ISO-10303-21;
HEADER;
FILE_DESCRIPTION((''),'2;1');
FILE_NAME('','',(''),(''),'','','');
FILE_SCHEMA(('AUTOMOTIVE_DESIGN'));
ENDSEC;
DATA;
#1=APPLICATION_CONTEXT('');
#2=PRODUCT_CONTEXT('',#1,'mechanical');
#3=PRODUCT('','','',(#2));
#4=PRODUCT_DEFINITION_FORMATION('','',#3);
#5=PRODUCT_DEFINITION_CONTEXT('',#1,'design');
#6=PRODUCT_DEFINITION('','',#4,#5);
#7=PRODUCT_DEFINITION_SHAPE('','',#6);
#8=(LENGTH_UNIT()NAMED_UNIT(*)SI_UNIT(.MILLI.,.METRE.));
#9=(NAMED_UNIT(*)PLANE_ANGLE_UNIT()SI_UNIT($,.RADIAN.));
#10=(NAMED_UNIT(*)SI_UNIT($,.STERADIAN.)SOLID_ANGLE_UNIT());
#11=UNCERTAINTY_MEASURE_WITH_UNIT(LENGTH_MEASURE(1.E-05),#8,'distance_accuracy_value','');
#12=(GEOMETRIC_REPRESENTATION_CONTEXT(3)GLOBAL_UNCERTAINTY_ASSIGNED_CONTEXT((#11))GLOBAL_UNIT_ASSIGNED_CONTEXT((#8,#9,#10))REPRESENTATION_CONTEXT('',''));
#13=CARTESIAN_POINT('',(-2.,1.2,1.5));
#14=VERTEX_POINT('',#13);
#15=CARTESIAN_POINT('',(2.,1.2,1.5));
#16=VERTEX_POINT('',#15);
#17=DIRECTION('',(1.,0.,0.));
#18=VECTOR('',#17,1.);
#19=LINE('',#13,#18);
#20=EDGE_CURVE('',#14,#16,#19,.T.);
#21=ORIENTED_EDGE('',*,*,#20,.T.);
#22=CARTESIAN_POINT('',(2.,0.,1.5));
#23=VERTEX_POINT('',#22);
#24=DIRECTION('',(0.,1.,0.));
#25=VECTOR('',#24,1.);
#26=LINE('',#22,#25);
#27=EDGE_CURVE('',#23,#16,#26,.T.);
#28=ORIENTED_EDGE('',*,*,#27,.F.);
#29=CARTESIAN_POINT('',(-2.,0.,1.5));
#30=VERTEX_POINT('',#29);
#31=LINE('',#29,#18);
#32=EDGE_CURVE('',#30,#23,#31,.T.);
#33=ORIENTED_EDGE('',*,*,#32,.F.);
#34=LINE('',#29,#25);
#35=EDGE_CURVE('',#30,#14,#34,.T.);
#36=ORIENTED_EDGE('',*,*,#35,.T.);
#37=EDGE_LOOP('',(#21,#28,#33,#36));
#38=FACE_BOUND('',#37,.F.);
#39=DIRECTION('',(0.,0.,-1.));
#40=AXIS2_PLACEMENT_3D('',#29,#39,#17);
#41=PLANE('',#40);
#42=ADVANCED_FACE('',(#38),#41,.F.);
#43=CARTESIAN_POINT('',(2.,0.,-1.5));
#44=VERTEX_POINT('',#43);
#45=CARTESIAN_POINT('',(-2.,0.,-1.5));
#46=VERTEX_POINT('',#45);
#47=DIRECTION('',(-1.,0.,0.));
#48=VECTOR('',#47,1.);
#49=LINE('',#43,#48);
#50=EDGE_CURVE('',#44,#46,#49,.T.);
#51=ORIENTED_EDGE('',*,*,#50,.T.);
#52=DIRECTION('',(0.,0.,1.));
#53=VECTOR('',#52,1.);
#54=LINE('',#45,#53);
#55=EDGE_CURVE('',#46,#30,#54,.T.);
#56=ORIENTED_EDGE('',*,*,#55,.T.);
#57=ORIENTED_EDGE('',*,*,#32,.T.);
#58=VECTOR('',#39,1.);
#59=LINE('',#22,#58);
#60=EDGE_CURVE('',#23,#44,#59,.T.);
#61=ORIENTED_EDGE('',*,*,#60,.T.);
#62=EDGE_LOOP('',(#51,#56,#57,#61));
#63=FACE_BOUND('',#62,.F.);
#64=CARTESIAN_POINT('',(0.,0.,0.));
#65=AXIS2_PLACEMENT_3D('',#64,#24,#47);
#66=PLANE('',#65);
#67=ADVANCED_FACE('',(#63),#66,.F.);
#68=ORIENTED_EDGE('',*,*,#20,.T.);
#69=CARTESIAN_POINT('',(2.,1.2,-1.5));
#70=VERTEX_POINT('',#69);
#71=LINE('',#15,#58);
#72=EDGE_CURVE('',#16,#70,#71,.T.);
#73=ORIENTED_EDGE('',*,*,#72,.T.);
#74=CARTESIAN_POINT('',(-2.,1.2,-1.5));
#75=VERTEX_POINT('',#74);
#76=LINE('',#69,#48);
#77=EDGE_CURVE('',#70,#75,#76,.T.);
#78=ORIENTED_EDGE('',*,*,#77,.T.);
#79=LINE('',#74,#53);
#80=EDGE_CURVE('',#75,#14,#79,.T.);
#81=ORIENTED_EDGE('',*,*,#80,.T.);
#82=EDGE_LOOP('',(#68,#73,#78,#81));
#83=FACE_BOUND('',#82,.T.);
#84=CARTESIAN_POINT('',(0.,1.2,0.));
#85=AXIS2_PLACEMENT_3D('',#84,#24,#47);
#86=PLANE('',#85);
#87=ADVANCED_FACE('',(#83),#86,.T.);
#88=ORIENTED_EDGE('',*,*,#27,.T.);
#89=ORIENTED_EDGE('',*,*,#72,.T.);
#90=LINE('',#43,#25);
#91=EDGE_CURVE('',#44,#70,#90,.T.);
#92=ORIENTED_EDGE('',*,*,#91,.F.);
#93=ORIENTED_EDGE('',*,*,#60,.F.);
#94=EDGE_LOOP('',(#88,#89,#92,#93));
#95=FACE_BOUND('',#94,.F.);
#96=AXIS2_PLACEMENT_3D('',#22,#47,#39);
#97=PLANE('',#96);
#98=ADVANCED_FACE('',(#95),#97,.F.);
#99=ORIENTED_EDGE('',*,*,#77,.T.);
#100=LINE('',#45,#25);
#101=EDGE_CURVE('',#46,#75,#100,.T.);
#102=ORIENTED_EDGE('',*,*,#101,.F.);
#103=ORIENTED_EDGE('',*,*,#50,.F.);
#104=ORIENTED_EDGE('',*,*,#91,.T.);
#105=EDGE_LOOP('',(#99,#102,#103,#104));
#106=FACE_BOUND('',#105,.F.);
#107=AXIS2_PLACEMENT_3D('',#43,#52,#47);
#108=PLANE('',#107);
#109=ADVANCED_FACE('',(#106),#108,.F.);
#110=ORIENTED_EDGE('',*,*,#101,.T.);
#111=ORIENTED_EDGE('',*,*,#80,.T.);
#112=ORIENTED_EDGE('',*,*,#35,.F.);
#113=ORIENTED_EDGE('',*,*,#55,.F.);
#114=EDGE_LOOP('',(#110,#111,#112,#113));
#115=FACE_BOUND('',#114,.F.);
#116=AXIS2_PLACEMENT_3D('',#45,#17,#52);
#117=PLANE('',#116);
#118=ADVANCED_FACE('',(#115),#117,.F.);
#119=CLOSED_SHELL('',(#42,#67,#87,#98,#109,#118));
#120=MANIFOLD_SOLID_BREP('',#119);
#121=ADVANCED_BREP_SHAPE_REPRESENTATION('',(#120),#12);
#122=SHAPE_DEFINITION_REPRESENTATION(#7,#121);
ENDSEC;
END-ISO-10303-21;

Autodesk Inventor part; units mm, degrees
ref_plane "YZ Plane" through (0, 0, 0) normal (1, 0, 0) x (0, 1, 0)
ref_plane "XZ Plane" through (0, 0, 0) normal (0, 1, 0) x (-1, 0, 0)
ref_plane "XY Plane" through (0, 0, 0) normal (0, 0, 1) x (1, 0, 0)
sketch "Sketch1" plane through (0, 0, 0) normal (0, 1, 0) x (-1, 0, 0)
  line L0 (2, 1.5) -> (-2, 1.5)
  line L1 (-2, 1.5) -> (-2, -1.5)
  line L2 (-2, -1.5) -> (2, -1.5)
  line L3 (2, -1.5) -> (2, 1.5)
  line L4 (2, 1.5) -> (-2, -1.5) construction
  line L5 (-2, 1.5) -> (2, -1.5) construction
  point P0 (0, 0)
  dimension "d0" = 4
  dimension "d1" = 3
extrude "Extrusion1" add sketch "Sketch1" along normal blind 1.2
ref_plane "Work Plane1" through (2, 0.6, 0) normal (0, -1, 0) x (1, 0, 0)
ref_plane "Work Plane2" through (2, 0.6, 0) normal (0, 0, 1) x (1, 0, 0)
properties part number "3x4x1p2_KTN"
